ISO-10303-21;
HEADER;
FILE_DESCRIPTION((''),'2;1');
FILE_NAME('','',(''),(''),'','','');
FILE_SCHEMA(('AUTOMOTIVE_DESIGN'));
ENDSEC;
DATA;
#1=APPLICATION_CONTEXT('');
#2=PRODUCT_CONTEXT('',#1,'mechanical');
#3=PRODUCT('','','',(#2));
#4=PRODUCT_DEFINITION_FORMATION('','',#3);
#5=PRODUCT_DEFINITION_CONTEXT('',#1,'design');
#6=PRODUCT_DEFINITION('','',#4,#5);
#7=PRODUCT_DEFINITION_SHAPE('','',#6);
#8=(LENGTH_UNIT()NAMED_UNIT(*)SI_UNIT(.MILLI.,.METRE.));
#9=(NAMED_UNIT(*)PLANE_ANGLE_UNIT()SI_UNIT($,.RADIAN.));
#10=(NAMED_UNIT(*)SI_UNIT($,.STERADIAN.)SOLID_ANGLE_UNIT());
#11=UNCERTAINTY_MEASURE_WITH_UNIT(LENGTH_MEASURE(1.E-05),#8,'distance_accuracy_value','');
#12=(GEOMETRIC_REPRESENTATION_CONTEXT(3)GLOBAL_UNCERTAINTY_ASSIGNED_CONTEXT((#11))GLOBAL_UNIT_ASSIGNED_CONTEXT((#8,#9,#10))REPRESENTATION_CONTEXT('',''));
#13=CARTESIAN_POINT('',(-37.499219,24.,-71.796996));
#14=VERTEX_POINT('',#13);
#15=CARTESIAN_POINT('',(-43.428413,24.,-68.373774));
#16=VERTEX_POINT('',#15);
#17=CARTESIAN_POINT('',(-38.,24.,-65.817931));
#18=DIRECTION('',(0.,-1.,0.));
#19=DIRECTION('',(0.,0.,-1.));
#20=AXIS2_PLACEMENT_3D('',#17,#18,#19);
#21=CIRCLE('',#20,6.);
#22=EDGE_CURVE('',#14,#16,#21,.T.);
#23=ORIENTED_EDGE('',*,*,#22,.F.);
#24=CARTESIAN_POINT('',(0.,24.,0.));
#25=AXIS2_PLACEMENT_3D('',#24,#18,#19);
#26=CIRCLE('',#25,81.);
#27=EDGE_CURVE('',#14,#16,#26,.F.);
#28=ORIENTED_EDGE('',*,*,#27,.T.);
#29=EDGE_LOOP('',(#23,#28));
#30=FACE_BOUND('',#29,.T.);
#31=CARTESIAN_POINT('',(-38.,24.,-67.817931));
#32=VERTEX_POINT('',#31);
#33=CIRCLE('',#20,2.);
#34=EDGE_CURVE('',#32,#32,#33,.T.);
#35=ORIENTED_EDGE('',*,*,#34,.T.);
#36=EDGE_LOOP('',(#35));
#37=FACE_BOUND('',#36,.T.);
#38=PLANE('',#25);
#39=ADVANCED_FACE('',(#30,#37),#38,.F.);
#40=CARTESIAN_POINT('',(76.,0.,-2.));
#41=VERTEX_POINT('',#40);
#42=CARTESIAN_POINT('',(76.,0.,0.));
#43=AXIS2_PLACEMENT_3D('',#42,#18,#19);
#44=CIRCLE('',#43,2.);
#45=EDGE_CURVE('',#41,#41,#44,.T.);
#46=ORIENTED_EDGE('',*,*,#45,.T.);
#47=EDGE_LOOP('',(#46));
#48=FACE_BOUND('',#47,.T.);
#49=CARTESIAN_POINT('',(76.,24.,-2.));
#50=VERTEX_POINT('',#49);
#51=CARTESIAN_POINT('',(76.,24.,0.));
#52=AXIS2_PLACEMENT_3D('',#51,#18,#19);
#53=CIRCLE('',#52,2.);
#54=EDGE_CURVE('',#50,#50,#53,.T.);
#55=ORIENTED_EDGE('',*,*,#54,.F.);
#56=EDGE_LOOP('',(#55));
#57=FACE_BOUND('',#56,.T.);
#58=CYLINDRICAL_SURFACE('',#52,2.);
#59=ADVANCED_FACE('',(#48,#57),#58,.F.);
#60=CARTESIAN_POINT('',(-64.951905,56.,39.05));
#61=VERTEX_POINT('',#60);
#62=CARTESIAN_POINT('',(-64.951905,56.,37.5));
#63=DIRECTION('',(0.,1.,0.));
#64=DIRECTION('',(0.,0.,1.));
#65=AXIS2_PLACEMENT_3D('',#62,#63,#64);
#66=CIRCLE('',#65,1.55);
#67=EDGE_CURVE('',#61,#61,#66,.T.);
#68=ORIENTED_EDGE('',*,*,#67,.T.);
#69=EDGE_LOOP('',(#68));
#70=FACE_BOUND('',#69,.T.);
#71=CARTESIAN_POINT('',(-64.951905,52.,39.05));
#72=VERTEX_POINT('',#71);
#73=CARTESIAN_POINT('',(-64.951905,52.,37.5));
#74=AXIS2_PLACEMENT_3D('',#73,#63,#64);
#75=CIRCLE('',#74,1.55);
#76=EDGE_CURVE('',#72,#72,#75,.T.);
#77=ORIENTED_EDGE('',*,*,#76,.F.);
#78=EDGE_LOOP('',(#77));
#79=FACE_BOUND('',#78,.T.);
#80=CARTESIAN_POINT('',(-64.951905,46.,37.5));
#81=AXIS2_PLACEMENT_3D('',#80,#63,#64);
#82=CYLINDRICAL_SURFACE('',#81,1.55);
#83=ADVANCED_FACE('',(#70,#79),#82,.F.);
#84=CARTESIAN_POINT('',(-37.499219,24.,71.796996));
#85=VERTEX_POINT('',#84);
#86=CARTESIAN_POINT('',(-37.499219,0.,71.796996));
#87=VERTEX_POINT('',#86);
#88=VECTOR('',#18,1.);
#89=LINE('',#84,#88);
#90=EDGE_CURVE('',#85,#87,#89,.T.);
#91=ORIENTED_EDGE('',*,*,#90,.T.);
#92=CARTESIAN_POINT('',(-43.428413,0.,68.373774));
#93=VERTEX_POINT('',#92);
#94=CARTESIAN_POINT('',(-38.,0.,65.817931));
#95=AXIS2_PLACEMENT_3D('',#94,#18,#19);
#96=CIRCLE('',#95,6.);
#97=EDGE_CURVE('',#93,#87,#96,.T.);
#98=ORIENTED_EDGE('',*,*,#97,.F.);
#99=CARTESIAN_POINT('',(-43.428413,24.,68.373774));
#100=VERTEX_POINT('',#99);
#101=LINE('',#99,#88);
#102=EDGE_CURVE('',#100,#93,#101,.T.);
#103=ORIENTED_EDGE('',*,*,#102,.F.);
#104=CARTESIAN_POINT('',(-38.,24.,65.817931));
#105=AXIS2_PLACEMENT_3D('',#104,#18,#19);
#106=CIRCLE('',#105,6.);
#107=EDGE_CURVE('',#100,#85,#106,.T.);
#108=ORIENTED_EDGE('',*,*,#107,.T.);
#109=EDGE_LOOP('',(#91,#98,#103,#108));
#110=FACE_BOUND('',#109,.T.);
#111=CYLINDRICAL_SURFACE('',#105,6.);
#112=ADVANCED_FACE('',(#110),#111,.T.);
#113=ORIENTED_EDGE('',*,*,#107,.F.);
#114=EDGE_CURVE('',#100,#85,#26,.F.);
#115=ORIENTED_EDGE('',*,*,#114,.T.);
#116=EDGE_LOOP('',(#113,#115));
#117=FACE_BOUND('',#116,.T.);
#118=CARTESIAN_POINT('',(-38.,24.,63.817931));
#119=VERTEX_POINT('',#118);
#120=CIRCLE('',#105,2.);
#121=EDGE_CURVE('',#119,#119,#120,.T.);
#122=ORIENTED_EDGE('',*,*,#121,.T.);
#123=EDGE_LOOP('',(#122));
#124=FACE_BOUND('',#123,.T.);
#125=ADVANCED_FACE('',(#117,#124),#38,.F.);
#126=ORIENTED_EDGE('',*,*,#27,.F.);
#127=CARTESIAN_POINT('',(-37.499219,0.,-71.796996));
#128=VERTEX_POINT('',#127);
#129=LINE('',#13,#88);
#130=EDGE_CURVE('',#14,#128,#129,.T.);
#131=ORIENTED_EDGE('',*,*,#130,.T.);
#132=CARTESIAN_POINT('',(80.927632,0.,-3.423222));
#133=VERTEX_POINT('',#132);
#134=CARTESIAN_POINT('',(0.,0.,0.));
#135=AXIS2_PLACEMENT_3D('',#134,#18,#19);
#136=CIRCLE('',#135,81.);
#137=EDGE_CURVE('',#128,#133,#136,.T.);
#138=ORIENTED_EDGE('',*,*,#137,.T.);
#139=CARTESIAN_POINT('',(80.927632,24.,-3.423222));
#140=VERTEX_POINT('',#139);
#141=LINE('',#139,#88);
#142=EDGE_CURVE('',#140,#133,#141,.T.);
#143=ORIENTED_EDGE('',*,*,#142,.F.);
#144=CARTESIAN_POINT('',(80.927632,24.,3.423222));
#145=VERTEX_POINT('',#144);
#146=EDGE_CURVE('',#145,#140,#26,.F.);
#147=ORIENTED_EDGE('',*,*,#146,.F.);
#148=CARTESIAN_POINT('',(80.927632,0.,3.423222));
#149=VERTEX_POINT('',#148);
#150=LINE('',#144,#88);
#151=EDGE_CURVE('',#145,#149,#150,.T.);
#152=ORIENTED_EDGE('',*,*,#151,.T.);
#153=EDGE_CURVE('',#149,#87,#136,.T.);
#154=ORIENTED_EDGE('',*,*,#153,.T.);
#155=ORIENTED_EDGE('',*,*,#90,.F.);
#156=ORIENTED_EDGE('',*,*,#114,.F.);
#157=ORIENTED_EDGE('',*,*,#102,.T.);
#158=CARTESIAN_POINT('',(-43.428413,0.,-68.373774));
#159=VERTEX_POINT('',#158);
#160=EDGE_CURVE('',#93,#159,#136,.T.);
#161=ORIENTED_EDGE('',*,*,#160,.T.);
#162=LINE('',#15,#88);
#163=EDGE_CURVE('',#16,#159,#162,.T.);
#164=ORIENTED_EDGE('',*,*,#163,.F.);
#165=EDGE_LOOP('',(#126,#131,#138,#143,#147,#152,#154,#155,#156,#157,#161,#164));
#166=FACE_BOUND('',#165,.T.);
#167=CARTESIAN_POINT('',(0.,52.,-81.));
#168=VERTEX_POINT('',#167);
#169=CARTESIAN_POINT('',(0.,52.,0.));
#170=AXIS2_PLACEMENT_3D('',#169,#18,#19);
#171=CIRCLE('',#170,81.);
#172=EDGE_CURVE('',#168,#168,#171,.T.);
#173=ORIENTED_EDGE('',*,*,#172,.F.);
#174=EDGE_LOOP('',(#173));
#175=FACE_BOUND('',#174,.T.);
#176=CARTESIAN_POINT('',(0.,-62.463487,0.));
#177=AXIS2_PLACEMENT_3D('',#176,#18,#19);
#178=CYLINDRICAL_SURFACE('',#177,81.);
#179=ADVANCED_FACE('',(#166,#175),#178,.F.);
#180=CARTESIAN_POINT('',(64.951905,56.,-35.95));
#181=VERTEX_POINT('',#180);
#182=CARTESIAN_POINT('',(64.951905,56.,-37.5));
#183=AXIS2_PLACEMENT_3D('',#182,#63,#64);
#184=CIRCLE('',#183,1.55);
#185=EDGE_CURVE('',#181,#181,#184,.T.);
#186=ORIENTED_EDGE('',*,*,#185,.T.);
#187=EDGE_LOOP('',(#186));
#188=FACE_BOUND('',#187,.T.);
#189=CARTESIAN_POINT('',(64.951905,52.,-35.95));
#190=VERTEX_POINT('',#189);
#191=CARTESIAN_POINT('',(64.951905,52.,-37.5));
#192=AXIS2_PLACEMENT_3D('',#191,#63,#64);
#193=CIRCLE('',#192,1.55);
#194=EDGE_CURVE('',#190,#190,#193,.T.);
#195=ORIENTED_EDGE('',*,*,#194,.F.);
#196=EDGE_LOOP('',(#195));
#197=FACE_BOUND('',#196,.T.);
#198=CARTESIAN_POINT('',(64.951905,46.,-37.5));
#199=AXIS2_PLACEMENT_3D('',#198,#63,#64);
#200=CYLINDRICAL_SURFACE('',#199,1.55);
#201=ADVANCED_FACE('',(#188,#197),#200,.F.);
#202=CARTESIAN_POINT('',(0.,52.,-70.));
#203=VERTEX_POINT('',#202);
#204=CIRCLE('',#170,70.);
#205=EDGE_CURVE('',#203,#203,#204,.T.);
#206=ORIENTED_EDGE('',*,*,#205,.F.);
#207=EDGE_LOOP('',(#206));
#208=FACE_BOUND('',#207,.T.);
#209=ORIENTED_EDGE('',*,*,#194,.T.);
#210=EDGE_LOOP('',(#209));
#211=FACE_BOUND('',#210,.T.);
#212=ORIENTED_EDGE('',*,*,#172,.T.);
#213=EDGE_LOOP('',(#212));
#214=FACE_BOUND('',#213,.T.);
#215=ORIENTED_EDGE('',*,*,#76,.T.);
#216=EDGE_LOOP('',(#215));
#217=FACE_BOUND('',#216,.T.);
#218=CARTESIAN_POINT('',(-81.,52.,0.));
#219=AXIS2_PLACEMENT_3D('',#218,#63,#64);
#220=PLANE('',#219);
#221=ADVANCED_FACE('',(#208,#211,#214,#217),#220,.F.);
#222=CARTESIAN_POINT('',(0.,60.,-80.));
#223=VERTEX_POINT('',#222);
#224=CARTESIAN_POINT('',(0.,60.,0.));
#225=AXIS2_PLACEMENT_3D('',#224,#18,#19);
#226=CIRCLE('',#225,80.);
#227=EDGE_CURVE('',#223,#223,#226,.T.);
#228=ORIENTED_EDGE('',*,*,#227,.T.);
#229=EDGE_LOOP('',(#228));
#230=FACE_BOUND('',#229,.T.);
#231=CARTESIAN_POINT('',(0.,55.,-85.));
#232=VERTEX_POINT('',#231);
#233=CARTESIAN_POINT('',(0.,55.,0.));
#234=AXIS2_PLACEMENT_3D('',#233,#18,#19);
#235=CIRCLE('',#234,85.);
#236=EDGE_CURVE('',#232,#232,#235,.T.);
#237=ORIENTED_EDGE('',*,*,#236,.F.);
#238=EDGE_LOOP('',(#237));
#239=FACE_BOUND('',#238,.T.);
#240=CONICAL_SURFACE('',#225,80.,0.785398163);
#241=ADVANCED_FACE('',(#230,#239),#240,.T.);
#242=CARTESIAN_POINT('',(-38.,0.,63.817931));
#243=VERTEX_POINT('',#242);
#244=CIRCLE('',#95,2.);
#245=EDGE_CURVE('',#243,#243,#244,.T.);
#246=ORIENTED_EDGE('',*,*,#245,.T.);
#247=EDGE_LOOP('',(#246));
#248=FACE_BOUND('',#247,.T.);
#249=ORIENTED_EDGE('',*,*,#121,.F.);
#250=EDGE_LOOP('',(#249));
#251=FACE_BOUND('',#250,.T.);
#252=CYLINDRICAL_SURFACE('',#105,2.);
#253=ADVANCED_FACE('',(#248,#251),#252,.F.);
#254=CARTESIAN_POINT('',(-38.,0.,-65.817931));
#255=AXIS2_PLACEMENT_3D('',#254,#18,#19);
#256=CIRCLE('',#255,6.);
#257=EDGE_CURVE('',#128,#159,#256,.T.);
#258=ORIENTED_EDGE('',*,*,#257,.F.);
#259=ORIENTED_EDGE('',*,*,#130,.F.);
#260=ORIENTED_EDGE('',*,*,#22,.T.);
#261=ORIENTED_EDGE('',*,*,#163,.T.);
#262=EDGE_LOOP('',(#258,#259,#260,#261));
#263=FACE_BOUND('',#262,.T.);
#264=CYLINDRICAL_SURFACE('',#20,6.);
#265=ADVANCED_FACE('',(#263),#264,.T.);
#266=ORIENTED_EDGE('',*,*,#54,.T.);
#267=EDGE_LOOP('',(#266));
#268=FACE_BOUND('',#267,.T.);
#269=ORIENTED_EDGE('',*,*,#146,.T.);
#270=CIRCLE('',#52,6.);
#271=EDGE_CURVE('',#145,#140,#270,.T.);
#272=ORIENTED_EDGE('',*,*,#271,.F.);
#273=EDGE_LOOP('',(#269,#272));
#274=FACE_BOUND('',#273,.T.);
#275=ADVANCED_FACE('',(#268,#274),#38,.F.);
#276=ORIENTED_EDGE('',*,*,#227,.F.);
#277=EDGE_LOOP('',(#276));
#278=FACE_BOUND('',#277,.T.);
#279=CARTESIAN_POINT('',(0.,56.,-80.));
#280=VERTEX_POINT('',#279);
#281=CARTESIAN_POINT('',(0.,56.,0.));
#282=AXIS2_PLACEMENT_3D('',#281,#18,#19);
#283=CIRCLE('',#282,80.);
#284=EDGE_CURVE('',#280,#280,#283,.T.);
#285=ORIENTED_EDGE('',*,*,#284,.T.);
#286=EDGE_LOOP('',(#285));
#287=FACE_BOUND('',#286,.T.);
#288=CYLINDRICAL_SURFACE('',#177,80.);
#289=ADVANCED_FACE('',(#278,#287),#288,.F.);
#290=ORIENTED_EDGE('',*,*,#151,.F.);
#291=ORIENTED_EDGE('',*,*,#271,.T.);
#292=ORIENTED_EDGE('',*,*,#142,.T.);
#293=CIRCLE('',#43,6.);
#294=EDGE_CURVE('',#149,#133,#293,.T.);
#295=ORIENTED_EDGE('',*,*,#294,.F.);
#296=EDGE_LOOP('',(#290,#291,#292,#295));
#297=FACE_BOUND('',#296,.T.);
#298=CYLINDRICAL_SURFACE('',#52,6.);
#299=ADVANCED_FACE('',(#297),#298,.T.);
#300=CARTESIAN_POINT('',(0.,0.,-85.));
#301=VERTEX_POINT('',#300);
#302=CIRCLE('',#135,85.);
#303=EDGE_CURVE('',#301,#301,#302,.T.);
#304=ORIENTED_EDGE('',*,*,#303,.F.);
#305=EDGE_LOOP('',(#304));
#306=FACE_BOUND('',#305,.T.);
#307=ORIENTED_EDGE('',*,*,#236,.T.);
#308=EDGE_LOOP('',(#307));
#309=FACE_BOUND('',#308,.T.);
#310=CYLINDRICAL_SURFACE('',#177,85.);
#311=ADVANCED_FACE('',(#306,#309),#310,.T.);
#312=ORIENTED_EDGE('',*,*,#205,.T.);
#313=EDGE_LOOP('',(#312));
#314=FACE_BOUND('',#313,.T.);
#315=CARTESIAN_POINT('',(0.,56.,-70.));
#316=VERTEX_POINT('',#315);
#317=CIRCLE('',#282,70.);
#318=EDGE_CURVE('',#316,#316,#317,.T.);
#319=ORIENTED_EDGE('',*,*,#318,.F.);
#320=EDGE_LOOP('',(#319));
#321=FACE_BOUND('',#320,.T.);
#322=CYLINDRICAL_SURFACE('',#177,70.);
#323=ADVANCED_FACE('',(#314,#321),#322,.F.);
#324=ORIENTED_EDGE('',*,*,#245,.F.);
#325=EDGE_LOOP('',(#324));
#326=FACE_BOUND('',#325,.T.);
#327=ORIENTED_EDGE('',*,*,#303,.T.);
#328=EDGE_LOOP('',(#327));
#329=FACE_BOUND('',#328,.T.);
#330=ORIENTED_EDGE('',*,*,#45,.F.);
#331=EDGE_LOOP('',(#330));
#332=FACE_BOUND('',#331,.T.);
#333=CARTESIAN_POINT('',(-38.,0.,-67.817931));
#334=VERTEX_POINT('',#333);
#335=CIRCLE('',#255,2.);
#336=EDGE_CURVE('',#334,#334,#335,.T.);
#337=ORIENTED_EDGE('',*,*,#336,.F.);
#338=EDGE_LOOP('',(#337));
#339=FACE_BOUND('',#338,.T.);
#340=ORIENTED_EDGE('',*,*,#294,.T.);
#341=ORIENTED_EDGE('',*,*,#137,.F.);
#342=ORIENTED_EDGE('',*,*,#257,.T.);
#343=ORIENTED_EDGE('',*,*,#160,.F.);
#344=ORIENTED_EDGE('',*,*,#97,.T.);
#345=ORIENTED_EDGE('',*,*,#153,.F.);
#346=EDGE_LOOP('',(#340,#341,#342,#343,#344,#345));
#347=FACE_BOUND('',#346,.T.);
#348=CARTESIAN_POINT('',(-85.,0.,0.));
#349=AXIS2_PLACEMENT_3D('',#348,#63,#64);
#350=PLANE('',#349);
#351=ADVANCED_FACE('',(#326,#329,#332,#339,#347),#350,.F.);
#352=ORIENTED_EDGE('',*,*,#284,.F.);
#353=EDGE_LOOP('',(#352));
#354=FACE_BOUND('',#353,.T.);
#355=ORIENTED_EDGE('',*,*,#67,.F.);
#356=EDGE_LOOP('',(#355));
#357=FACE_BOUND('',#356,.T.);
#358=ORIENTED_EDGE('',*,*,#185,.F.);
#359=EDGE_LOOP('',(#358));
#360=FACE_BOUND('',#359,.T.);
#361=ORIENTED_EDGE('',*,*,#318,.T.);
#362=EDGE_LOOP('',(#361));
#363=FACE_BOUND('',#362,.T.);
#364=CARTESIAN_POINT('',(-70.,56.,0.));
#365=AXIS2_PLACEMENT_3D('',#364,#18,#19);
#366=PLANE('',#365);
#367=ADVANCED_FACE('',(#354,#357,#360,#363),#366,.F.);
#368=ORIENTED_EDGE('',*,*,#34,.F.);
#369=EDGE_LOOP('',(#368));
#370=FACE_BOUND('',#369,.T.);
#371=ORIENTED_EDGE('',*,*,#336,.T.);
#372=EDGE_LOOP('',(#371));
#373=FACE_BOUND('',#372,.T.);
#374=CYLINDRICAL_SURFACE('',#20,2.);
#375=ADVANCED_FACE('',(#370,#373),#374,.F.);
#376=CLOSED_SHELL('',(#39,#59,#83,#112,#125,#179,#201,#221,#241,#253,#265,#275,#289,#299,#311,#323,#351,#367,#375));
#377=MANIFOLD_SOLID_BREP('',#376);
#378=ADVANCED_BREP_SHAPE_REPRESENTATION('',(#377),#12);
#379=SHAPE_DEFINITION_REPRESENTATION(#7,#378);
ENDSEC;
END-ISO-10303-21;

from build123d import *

# Parameters (mm, degrees)
SKETCH2_R           = 2
BOSS_EXTRUDE1_DEPTH = 24
SKETCH3_R           = 1.55
CUT_EXTRUDE1_DEPTH  = 10


with BuildPart() as part:
    # Sketch1 → Revolve1 (revolve)
    with BuildSketch(Plane.XY):
        Polygon((-85, 0), (-85, 55), (-80, 60), (-80, 56), (-70, 56), (-70, 52), (-81, 52), (-81, 0), align=None)
    revolve(axis=Axis((0, -62.463486945, 0), (0, 1, 0)))

    # Sketch2 → Boss-Extrude1 (add)
    with BuildSketch(Plane.XZ):
        with BuildLine():
            ThreePointArc((-43.428412772, 68.37377395), (-35, 60.621778265), (-37.499218807, 71.796995681))
            ThreePointArc((-37.499218807, 71.796995681), (-40.5, 70.148057707), (-43.428412772, 68.37377395))
        make_face()
        with Locations((-38, 65.817930688)):
            Circle(SKETCH2_R, mode=Mode.SUBTRACT)
        with BuildLine():
            ThreePointArc((-43.428412772, -68.37377395), (-40.5, -70.148057707), (-37.499218807, -71.796995681))
            ThreePointArc((-37.499218807, -71.796995681), (-35, -60.621778265), (-43.428412772, -68.37377395))
        make_face()
        with Locations((-38, -65.817930688)):
            Circle(SKETCH2_R, mode=Mode.SUBTRACT)
        with BuildLine():
            ThreePointArc((81, 0), (80.981905874, 1.711993298), (80.927631579, 3.423221731))
            ThreePointArc((80.927631579, 3.423221731), (70, 0), (80.927631579, -3.423221731))
            ThreePointArc((80.927631579, -3.423221731), (80.981905874, -1.711993298), (81, 0))
        make_face()
        with Locations((76, 0)):
            Circle(SKETCH2_R, mode=Mode.SUBTRACT)
    extrude(amount=-BOSS_EXTRUDE1_DEPTH)

    # Sketch3 → Cut-Extrude1 (cut)
    with BuildSketch(Plane(origin=(0, 56, 0), x_dir=(1, 0, 0), z_dir=(0, 1, 0))):
        with Locations((-64.951905284, -37.5)):
            Circle(SKETCH3_R)
        with Locations((64.951905284, 37.5)):
            Circle(SKETCH3_R)
    extrude(amount=-CUT_EXTRUDE1_DEPTH, mode=Mode.SUBTRACT)


solid = part.part
